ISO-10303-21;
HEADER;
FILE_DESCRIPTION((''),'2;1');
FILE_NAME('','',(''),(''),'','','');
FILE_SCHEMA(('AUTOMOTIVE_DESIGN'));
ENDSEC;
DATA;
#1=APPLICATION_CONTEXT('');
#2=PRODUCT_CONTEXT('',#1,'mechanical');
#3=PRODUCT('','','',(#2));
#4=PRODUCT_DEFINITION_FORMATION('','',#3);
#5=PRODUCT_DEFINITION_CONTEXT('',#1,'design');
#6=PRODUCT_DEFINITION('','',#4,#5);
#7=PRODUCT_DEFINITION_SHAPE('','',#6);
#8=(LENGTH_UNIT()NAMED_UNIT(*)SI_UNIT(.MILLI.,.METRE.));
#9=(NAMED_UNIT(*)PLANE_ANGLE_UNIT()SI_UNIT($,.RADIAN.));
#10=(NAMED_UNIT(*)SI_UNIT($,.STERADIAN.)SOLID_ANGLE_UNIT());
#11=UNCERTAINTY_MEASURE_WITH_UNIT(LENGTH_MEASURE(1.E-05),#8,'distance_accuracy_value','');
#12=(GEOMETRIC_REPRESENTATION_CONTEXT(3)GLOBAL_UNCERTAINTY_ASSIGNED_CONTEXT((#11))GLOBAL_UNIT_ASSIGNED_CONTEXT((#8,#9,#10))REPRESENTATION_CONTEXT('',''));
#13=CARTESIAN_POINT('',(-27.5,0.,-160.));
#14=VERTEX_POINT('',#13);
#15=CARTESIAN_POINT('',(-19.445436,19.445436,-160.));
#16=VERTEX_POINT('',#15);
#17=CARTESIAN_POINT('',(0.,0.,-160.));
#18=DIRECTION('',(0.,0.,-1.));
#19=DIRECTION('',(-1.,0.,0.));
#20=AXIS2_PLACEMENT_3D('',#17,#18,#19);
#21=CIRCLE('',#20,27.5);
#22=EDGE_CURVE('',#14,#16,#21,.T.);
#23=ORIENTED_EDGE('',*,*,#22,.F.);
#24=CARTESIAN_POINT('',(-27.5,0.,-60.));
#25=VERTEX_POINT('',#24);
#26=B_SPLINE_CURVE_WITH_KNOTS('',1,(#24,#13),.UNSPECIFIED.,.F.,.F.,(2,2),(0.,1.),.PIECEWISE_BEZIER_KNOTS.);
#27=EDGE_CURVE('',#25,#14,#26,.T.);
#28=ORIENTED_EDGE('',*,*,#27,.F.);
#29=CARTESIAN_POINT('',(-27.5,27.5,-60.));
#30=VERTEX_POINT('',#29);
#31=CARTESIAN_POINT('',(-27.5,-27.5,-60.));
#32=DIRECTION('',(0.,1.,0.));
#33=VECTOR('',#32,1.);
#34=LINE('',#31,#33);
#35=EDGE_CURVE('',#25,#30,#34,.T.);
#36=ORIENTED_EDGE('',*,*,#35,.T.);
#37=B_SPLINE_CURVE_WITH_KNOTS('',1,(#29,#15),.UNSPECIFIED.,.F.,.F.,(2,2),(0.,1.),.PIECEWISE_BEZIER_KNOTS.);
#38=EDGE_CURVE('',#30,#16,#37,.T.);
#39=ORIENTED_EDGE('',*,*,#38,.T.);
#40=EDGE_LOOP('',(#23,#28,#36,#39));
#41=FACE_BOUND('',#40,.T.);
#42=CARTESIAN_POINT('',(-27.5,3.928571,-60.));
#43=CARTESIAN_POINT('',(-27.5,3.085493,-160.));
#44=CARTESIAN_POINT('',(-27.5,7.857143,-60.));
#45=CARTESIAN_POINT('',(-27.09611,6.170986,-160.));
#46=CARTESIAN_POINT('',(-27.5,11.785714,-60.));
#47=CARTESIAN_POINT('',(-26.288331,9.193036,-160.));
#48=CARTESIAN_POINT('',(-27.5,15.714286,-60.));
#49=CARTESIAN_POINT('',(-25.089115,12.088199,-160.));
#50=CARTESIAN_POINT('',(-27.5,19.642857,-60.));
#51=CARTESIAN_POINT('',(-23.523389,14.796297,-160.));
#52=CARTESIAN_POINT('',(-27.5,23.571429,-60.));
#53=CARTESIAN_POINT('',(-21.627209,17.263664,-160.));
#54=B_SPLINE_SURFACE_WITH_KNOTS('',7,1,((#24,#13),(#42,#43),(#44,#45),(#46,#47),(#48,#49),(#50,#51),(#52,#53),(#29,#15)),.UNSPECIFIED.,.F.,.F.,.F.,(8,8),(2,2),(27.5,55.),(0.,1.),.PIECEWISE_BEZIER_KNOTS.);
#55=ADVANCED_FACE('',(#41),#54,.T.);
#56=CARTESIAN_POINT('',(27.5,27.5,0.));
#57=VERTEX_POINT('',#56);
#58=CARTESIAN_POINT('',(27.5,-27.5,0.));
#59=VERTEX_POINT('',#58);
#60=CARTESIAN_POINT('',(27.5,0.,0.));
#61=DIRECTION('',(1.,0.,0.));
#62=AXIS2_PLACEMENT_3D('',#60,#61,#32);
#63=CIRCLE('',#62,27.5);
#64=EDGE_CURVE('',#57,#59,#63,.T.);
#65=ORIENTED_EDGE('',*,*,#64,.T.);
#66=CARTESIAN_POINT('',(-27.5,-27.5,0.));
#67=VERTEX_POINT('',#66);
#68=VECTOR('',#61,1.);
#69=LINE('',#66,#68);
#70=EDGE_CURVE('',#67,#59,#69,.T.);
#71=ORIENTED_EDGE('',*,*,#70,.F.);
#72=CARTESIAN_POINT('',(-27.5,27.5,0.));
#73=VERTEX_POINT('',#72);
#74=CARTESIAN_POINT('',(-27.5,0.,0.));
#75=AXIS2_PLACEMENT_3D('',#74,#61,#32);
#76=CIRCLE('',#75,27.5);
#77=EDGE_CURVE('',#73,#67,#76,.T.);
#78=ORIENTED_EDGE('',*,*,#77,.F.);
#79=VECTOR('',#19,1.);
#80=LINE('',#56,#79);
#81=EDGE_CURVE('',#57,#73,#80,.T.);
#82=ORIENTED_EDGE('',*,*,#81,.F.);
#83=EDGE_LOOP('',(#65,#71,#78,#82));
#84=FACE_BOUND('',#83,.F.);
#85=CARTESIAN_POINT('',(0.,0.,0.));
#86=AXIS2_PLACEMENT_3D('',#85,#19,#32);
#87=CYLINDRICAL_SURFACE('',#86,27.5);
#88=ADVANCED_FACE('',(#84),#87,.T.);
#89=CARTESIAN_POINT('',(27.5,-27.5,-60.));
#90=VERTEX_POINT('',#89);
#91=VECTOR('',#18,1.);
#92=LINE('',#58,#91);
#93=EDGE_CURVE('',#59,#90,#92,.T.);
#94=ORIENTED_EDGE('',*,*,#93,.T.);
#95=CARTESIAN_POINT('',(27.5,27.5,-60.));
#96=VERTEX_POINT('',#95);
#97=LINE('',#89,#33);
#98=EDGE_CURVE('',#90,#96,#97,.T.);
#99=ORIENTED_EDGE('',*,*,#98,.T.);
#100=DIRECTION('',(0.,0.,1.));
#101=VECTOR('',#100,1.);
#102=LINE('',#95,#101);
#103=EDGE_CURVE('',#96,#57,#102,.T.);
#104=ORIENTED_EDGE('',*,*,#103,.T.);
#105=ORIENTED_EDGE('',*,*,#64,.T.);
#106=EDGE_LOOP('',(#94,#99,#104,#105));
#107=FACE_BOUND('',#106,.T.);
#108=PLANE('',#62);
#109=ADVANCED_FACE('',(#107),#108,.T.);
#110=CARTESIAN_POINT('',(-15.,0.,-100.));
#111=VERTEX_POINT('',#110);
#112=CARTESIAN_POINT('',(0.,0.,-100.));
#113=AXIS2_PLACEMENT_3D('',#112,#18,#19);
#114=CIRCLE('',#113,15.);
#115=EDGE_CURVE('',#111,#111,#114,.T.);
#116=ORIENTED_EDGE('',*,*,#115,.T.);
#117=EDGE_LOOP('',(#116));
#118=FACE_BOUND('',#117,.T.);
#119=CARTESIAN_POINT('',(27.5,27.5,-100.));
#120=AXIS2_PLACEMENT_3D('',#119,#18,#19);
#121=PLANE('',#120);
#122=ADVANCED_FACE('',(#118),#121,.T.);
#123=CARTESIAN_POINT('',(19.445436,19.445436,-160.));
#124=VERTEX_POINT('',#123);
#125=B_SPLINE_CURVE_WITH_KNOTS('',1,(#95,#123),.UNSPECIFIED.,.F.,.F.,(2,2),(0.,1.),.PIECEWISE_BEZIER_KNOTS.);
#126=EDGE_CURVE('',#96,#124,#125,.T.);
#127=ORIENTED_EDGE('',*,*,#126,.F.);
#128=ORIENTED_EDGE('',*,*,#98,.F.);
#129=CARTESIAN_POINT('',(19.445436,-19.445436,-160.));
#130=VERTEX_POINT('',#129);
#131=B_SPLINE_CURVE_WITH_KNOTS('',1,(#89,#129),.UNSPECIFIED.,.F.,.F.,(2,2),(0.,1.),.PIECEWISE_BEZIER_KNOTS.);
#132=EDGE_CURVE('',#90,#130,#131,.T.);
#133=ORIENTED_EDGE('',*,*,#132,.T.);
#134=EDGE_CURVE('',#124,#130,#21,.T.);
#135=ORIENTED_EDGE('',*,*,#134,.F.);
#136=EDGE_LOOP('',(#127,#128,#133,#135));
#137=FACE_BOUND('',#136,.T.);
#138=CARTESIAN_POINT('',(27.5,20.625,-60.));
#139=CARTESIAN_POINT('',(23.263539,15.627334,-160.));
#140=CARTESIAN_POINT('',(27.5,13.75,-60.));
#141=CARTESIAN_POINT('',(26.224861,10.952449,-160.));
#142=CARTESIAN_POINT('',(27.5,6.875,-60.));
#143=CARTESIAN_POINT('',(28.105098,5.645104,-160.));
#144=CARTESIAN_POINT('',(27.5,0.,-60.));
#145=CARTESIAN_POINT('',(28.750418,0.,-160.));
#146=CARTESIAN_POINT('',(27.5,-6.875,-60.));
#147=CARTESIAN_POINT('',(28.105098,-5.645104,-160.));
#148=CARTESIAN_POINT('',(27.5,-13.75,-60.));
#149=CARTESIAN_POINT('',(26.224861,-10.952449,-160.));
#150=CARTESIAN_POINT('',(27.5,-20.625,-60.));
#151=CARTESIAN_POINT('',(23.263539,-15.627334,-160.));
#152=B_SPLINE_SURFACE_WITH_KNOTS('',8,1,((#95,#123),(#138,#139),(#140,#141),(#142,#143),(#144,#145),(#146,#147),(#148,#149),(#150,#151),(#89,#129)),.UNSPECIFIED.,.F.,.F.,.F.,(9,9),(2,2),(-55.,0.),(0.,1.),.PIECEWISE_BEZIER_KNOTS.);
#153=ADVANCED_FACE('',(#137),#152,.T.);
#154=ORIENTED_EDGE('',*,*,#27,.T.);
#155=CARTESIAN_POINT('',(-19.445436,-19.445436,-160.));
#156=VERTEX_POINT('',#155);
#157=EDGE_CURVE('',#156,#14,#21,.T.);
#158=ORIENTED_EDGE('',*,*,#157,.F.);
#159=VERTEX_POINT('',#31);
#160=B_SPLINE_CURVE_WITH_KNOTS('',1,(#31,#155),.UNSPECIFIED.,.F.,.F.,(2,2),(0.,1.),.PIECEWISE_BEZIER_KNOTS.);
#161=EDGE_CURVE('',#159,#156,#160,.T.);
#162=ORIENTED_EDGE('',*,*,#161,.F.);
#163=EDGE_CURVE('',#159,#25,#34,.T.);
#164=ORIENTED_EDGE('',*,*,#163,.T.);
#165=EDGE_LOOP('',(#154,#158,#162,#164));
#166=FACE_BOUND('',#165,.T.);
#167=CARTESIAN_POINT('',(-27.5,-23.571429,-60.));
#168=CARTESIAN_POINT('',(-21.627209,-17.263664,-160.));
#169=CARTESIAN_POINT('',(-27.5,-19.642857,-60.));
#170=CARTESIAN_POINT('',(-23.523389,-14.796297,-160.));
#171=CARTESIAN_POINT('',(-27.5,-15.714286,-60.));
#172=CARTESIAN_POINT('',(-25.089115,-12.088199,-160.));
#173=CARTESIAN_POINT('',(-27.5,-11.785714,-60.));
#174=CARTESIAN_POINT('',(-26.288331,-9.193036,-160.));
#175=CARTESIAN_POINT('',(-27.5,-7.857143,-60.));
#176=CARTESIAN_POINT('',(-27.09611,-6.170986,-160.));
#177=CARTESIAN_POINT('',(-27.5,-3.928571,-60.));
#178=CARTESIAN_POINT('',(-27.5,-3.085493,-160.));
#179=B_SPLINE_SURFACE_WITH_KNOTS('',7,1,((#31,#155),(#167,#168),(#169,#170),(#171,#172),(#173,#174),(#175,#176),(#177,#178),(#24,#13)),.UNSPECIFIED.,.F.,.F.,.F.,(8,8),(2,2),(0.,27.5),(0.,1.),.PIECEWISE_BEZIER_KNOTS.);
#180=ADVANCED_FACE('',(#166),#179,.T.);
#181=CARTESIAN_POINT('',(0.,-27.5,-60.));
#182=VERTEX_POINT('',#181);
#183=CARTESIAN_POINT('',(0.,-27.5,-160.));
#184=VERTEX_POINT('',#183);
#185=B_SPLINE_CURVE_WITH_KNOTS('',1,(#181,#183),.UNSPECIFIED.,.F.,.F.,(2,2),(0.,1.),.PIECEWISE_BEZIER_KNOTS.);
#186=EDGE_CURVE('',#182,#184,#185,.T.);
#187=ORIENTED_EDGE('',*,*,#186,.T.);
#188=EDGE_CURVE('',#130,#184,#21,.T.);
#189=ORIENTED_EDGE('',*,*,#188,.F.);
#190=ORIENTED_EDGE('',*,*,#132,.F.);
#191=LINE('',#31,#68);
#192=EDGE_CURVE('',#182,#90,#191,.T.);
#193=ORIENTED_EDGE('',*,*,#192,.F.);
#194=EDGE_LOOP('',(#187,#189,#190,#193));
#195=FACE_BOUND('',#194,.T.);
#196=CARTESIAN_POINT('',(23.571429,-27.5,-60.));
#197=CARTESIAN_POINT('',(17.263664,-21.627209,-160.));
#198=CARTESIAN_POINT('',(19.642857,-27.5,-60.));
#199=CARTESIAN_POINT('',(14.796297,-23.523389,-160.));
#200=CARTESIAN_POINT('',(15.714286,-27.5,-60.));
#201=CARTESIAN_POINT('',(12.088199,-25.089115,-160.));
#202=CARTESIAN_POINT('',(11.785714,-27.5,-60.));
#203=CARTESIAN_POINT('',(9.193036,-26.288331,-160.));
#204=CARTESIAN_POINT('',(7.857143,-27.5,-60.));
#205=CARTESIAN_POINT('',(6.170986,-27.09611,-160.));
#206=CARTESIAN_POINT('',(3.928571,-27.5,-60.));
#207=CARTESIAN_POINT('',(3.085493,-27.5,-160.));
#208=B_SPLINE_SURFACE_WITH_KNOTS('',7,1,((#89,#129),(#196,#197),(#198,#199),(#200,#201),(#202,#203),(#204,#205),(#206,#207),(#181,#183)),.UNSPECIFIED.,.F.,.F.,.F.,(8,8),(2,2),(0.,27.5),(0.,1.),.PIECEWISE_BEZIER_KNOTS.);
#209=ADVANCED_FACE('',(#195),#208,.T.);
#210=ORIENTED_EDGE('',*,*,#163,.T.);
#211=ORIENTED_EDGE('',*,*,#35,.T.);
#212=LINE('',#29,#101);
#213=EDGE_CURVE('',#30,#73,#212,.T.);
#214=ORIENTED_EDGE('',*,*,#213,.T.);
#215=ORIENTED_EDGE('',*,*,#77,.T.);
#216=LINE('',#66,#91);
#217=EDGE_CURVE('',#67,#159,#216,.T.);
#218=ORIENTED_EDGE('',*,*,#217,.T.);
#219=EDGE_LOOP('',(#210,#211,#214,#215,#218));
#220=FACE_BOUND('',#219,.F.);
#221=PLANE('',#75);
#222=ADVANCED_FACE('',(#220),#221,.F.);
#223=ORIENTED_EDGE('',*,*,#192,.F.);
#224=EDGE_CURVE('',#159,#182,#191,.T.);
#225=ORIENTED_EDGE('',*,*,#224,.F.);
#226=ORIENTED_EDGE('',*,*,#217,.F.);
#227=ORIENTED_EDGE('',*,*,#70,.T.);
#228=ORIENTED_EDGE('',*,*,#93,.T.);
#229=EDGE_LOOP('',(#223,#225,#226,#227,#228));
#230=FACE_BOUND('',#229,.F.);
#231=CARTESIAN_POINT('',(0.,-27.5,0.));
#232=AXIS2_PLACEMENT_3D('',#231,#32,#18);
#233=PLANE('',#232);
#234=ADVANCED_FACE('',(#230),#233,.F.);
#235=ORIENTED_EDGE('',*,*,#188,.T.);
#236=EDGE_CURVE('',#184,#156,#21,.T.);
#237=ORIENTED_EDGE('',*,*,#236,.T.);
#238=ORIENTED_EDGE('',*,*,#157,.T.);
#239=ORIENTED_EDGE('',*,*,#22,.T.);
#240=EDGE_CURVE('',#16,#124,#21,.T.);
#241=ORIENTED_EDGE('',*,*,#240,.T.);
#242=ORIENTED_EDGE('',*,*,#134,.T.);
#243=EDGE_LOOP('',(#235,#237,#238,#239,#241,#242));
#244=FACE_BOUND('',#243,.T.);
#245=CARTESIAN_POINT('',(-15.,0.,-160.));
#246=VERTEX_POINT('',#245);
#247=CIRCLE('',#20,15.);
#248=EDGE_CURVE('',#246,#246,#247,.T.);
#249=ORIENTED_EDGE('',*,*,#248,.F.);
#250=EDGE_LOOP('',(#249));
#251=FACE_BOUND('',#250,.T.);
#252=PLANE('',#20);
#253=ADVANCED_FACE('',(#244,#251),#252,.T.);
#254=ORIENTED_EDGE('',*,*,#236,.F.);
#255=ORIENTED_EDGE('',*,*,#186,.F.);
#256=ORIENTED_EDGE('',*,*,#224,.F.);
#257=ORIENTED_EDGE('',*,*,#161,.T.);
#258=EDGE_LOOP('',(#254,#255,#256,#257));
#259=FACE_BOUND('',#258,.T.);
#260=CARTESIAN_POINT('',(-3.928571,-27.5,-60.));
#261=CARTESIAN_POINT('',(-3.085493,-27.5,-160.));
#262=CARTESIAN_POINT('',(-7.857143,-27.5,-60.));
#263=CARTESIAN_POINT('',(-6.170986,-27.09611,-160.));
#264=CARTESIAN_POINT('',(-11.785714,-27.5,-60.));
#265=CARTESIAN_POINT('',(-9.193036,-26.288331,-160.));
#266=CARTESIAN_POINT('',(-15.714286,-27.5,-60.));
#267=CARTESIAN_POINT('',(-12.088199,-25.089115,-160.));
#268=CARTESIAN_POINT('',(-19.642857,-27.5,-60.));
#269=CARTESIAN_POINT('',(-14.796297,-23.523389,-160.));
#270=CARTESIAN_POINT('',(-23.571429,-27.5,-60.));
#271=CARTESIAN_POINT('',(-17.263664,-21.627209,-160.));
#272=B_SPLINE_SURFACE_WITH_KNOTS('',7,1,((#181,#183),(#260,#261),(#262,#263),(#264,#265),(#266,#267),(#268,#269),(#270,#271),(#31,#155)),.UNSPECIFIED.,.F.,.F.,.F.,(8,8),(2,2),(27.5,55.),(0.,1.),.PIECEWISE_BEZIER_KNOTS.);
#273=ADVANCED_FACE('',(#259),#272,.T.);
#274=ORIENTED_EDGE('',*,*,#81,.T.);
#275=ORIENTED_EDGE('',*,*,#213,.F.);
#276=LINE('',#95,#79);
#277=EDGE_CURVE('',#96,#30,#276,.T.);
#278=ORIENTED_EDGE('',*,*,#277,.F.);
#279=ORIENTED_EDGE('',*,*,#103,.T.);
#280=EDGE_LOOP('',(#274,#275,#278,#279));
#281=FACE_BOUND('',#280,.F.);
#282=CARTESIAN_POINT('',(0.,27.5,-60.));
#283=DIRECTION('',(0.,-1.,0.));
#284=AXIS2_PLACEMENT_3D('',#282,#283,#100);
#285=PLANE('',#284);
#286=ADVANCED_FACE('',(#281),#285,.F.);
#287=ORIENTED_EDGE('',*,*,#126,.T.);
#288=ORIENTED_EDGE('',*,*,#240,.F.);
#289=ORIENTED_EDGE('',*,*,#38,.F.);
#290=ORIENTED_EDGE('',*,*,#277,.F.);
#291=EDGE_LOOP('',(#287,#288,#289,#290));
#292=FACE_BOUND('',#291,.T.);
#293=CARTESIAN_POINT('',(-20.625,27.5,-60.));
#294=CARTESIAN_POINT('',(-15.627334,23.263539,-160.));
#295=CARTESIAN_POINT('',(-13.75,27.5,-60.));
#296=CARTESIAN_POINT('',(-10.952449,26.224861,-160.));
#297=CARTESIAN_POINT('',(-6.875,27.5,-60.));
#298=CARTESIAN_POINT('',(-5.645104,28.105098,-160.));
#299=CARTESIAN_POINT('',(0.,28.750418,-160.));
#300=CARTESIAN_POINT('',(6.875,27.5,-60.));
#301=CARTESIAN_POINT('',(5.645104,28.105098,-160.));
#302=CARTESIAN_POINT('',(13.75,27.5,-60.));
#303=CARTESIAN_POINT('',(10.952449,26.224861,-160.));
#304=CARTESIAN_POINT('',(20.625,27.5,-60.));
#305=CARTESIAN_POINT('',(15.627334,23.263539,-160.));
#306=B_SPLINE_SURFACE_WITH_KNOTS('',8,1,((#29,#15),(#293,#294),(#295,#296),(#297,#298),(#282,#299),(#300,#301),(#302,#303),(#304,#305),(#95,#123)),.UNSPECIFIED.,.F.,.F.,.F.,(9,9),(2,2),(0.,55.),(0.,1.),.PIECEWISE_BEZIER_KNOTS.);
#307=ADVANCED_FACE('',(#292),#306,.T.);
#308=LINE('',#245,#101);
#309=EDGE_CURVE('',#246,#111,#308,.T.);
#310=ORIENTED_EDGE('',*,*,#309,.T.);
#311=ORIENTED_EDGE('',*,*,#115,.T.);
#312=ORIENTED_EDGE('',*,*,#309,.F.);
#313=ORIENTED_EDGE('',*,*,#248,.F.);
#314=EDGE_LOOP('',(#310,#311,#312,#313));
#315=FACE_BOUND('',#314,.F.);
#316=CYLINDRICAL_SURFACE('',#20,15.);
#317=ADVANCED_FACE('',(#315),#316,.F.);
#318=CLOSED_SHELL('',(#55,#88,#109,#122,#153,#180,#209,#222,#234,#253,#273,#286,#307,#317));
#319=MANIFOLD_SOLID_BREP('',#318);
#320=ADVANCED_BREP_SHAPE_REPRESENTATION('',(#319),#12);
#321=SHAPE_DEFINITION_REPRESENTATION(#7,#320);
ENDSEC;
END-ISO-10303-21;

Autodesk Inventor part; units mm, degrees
ref_plane "YZ Plane" through (0, 0, 0) normal (1, 0, 0) x (0, 1, 0)
ref_plane "XZ Plane" through (0, 0, 0) normal (0, 1, 0) x (-1, 0, 0)
sketch "Sketch1" plane through (0, 0, 0) normal (1, 0, 0) x (0, 1, 0)
  circle A0 centre (0, 0) radius 27.5
  line L0 (-27.5, 0) -> (-27.5, -60)
  line L1 (-27.5, -60) -> (27.5, -60)
  line L2 (27.5, -60) -> (27.5, 0)
  dimension "d0" = 55
  dimension "d1" = 60
extrude "Extrusion1" add sketch "Sketch1" along normal mid plane 55
sketch "Sketch2" plane through (27.5, 27.5, -60) normal (0, 0, -1) x (-1, 0, 0)
  line L0 (0, -55) -> (0, 0) projected
  line L1 (55, 0) -> (0, 0)
  line L2 (0, 0) -> (0, -55)
  line L3 (0, -55) -> (55, -55)
  line L4 (55, -55) -> (55, 0)
  line L5 (55, 0) -> (0, -55) construction
  line L6 (0, 0) -> (55, -55) construction
  point P0 (27.5, -27.5)
ref_plane "Work Plane1" through (27.5, 27.5, -160) normal (0, 0, -1) x (-1, 0, 0)
sketch "Sketch3" plane through (27.5, 27.5, -160) normal (0, 0, -1) x (-1, 0, 0)
  circle A0 centre (27.5, -27.5) radius 27.5
  line L0 (55, -55) -> (0, -55) projected
  point P0 (27.5, -27.5)
loft "Loft1" add profiles "Sketch2", "Sketch3"
sketch "Sketch4" plane through (27.5, 27.5, -160) normal (0, 0, -1) x (-1, 0, 0)
  circle A0 centre (27.5, -27.5) radius 15
  point P0 (27.5, -27.5)
  dimension "d9" = 30
extrude "Extrusion2" cut sketch "Sketch4" against normal blind 60
properties part number "shank"
